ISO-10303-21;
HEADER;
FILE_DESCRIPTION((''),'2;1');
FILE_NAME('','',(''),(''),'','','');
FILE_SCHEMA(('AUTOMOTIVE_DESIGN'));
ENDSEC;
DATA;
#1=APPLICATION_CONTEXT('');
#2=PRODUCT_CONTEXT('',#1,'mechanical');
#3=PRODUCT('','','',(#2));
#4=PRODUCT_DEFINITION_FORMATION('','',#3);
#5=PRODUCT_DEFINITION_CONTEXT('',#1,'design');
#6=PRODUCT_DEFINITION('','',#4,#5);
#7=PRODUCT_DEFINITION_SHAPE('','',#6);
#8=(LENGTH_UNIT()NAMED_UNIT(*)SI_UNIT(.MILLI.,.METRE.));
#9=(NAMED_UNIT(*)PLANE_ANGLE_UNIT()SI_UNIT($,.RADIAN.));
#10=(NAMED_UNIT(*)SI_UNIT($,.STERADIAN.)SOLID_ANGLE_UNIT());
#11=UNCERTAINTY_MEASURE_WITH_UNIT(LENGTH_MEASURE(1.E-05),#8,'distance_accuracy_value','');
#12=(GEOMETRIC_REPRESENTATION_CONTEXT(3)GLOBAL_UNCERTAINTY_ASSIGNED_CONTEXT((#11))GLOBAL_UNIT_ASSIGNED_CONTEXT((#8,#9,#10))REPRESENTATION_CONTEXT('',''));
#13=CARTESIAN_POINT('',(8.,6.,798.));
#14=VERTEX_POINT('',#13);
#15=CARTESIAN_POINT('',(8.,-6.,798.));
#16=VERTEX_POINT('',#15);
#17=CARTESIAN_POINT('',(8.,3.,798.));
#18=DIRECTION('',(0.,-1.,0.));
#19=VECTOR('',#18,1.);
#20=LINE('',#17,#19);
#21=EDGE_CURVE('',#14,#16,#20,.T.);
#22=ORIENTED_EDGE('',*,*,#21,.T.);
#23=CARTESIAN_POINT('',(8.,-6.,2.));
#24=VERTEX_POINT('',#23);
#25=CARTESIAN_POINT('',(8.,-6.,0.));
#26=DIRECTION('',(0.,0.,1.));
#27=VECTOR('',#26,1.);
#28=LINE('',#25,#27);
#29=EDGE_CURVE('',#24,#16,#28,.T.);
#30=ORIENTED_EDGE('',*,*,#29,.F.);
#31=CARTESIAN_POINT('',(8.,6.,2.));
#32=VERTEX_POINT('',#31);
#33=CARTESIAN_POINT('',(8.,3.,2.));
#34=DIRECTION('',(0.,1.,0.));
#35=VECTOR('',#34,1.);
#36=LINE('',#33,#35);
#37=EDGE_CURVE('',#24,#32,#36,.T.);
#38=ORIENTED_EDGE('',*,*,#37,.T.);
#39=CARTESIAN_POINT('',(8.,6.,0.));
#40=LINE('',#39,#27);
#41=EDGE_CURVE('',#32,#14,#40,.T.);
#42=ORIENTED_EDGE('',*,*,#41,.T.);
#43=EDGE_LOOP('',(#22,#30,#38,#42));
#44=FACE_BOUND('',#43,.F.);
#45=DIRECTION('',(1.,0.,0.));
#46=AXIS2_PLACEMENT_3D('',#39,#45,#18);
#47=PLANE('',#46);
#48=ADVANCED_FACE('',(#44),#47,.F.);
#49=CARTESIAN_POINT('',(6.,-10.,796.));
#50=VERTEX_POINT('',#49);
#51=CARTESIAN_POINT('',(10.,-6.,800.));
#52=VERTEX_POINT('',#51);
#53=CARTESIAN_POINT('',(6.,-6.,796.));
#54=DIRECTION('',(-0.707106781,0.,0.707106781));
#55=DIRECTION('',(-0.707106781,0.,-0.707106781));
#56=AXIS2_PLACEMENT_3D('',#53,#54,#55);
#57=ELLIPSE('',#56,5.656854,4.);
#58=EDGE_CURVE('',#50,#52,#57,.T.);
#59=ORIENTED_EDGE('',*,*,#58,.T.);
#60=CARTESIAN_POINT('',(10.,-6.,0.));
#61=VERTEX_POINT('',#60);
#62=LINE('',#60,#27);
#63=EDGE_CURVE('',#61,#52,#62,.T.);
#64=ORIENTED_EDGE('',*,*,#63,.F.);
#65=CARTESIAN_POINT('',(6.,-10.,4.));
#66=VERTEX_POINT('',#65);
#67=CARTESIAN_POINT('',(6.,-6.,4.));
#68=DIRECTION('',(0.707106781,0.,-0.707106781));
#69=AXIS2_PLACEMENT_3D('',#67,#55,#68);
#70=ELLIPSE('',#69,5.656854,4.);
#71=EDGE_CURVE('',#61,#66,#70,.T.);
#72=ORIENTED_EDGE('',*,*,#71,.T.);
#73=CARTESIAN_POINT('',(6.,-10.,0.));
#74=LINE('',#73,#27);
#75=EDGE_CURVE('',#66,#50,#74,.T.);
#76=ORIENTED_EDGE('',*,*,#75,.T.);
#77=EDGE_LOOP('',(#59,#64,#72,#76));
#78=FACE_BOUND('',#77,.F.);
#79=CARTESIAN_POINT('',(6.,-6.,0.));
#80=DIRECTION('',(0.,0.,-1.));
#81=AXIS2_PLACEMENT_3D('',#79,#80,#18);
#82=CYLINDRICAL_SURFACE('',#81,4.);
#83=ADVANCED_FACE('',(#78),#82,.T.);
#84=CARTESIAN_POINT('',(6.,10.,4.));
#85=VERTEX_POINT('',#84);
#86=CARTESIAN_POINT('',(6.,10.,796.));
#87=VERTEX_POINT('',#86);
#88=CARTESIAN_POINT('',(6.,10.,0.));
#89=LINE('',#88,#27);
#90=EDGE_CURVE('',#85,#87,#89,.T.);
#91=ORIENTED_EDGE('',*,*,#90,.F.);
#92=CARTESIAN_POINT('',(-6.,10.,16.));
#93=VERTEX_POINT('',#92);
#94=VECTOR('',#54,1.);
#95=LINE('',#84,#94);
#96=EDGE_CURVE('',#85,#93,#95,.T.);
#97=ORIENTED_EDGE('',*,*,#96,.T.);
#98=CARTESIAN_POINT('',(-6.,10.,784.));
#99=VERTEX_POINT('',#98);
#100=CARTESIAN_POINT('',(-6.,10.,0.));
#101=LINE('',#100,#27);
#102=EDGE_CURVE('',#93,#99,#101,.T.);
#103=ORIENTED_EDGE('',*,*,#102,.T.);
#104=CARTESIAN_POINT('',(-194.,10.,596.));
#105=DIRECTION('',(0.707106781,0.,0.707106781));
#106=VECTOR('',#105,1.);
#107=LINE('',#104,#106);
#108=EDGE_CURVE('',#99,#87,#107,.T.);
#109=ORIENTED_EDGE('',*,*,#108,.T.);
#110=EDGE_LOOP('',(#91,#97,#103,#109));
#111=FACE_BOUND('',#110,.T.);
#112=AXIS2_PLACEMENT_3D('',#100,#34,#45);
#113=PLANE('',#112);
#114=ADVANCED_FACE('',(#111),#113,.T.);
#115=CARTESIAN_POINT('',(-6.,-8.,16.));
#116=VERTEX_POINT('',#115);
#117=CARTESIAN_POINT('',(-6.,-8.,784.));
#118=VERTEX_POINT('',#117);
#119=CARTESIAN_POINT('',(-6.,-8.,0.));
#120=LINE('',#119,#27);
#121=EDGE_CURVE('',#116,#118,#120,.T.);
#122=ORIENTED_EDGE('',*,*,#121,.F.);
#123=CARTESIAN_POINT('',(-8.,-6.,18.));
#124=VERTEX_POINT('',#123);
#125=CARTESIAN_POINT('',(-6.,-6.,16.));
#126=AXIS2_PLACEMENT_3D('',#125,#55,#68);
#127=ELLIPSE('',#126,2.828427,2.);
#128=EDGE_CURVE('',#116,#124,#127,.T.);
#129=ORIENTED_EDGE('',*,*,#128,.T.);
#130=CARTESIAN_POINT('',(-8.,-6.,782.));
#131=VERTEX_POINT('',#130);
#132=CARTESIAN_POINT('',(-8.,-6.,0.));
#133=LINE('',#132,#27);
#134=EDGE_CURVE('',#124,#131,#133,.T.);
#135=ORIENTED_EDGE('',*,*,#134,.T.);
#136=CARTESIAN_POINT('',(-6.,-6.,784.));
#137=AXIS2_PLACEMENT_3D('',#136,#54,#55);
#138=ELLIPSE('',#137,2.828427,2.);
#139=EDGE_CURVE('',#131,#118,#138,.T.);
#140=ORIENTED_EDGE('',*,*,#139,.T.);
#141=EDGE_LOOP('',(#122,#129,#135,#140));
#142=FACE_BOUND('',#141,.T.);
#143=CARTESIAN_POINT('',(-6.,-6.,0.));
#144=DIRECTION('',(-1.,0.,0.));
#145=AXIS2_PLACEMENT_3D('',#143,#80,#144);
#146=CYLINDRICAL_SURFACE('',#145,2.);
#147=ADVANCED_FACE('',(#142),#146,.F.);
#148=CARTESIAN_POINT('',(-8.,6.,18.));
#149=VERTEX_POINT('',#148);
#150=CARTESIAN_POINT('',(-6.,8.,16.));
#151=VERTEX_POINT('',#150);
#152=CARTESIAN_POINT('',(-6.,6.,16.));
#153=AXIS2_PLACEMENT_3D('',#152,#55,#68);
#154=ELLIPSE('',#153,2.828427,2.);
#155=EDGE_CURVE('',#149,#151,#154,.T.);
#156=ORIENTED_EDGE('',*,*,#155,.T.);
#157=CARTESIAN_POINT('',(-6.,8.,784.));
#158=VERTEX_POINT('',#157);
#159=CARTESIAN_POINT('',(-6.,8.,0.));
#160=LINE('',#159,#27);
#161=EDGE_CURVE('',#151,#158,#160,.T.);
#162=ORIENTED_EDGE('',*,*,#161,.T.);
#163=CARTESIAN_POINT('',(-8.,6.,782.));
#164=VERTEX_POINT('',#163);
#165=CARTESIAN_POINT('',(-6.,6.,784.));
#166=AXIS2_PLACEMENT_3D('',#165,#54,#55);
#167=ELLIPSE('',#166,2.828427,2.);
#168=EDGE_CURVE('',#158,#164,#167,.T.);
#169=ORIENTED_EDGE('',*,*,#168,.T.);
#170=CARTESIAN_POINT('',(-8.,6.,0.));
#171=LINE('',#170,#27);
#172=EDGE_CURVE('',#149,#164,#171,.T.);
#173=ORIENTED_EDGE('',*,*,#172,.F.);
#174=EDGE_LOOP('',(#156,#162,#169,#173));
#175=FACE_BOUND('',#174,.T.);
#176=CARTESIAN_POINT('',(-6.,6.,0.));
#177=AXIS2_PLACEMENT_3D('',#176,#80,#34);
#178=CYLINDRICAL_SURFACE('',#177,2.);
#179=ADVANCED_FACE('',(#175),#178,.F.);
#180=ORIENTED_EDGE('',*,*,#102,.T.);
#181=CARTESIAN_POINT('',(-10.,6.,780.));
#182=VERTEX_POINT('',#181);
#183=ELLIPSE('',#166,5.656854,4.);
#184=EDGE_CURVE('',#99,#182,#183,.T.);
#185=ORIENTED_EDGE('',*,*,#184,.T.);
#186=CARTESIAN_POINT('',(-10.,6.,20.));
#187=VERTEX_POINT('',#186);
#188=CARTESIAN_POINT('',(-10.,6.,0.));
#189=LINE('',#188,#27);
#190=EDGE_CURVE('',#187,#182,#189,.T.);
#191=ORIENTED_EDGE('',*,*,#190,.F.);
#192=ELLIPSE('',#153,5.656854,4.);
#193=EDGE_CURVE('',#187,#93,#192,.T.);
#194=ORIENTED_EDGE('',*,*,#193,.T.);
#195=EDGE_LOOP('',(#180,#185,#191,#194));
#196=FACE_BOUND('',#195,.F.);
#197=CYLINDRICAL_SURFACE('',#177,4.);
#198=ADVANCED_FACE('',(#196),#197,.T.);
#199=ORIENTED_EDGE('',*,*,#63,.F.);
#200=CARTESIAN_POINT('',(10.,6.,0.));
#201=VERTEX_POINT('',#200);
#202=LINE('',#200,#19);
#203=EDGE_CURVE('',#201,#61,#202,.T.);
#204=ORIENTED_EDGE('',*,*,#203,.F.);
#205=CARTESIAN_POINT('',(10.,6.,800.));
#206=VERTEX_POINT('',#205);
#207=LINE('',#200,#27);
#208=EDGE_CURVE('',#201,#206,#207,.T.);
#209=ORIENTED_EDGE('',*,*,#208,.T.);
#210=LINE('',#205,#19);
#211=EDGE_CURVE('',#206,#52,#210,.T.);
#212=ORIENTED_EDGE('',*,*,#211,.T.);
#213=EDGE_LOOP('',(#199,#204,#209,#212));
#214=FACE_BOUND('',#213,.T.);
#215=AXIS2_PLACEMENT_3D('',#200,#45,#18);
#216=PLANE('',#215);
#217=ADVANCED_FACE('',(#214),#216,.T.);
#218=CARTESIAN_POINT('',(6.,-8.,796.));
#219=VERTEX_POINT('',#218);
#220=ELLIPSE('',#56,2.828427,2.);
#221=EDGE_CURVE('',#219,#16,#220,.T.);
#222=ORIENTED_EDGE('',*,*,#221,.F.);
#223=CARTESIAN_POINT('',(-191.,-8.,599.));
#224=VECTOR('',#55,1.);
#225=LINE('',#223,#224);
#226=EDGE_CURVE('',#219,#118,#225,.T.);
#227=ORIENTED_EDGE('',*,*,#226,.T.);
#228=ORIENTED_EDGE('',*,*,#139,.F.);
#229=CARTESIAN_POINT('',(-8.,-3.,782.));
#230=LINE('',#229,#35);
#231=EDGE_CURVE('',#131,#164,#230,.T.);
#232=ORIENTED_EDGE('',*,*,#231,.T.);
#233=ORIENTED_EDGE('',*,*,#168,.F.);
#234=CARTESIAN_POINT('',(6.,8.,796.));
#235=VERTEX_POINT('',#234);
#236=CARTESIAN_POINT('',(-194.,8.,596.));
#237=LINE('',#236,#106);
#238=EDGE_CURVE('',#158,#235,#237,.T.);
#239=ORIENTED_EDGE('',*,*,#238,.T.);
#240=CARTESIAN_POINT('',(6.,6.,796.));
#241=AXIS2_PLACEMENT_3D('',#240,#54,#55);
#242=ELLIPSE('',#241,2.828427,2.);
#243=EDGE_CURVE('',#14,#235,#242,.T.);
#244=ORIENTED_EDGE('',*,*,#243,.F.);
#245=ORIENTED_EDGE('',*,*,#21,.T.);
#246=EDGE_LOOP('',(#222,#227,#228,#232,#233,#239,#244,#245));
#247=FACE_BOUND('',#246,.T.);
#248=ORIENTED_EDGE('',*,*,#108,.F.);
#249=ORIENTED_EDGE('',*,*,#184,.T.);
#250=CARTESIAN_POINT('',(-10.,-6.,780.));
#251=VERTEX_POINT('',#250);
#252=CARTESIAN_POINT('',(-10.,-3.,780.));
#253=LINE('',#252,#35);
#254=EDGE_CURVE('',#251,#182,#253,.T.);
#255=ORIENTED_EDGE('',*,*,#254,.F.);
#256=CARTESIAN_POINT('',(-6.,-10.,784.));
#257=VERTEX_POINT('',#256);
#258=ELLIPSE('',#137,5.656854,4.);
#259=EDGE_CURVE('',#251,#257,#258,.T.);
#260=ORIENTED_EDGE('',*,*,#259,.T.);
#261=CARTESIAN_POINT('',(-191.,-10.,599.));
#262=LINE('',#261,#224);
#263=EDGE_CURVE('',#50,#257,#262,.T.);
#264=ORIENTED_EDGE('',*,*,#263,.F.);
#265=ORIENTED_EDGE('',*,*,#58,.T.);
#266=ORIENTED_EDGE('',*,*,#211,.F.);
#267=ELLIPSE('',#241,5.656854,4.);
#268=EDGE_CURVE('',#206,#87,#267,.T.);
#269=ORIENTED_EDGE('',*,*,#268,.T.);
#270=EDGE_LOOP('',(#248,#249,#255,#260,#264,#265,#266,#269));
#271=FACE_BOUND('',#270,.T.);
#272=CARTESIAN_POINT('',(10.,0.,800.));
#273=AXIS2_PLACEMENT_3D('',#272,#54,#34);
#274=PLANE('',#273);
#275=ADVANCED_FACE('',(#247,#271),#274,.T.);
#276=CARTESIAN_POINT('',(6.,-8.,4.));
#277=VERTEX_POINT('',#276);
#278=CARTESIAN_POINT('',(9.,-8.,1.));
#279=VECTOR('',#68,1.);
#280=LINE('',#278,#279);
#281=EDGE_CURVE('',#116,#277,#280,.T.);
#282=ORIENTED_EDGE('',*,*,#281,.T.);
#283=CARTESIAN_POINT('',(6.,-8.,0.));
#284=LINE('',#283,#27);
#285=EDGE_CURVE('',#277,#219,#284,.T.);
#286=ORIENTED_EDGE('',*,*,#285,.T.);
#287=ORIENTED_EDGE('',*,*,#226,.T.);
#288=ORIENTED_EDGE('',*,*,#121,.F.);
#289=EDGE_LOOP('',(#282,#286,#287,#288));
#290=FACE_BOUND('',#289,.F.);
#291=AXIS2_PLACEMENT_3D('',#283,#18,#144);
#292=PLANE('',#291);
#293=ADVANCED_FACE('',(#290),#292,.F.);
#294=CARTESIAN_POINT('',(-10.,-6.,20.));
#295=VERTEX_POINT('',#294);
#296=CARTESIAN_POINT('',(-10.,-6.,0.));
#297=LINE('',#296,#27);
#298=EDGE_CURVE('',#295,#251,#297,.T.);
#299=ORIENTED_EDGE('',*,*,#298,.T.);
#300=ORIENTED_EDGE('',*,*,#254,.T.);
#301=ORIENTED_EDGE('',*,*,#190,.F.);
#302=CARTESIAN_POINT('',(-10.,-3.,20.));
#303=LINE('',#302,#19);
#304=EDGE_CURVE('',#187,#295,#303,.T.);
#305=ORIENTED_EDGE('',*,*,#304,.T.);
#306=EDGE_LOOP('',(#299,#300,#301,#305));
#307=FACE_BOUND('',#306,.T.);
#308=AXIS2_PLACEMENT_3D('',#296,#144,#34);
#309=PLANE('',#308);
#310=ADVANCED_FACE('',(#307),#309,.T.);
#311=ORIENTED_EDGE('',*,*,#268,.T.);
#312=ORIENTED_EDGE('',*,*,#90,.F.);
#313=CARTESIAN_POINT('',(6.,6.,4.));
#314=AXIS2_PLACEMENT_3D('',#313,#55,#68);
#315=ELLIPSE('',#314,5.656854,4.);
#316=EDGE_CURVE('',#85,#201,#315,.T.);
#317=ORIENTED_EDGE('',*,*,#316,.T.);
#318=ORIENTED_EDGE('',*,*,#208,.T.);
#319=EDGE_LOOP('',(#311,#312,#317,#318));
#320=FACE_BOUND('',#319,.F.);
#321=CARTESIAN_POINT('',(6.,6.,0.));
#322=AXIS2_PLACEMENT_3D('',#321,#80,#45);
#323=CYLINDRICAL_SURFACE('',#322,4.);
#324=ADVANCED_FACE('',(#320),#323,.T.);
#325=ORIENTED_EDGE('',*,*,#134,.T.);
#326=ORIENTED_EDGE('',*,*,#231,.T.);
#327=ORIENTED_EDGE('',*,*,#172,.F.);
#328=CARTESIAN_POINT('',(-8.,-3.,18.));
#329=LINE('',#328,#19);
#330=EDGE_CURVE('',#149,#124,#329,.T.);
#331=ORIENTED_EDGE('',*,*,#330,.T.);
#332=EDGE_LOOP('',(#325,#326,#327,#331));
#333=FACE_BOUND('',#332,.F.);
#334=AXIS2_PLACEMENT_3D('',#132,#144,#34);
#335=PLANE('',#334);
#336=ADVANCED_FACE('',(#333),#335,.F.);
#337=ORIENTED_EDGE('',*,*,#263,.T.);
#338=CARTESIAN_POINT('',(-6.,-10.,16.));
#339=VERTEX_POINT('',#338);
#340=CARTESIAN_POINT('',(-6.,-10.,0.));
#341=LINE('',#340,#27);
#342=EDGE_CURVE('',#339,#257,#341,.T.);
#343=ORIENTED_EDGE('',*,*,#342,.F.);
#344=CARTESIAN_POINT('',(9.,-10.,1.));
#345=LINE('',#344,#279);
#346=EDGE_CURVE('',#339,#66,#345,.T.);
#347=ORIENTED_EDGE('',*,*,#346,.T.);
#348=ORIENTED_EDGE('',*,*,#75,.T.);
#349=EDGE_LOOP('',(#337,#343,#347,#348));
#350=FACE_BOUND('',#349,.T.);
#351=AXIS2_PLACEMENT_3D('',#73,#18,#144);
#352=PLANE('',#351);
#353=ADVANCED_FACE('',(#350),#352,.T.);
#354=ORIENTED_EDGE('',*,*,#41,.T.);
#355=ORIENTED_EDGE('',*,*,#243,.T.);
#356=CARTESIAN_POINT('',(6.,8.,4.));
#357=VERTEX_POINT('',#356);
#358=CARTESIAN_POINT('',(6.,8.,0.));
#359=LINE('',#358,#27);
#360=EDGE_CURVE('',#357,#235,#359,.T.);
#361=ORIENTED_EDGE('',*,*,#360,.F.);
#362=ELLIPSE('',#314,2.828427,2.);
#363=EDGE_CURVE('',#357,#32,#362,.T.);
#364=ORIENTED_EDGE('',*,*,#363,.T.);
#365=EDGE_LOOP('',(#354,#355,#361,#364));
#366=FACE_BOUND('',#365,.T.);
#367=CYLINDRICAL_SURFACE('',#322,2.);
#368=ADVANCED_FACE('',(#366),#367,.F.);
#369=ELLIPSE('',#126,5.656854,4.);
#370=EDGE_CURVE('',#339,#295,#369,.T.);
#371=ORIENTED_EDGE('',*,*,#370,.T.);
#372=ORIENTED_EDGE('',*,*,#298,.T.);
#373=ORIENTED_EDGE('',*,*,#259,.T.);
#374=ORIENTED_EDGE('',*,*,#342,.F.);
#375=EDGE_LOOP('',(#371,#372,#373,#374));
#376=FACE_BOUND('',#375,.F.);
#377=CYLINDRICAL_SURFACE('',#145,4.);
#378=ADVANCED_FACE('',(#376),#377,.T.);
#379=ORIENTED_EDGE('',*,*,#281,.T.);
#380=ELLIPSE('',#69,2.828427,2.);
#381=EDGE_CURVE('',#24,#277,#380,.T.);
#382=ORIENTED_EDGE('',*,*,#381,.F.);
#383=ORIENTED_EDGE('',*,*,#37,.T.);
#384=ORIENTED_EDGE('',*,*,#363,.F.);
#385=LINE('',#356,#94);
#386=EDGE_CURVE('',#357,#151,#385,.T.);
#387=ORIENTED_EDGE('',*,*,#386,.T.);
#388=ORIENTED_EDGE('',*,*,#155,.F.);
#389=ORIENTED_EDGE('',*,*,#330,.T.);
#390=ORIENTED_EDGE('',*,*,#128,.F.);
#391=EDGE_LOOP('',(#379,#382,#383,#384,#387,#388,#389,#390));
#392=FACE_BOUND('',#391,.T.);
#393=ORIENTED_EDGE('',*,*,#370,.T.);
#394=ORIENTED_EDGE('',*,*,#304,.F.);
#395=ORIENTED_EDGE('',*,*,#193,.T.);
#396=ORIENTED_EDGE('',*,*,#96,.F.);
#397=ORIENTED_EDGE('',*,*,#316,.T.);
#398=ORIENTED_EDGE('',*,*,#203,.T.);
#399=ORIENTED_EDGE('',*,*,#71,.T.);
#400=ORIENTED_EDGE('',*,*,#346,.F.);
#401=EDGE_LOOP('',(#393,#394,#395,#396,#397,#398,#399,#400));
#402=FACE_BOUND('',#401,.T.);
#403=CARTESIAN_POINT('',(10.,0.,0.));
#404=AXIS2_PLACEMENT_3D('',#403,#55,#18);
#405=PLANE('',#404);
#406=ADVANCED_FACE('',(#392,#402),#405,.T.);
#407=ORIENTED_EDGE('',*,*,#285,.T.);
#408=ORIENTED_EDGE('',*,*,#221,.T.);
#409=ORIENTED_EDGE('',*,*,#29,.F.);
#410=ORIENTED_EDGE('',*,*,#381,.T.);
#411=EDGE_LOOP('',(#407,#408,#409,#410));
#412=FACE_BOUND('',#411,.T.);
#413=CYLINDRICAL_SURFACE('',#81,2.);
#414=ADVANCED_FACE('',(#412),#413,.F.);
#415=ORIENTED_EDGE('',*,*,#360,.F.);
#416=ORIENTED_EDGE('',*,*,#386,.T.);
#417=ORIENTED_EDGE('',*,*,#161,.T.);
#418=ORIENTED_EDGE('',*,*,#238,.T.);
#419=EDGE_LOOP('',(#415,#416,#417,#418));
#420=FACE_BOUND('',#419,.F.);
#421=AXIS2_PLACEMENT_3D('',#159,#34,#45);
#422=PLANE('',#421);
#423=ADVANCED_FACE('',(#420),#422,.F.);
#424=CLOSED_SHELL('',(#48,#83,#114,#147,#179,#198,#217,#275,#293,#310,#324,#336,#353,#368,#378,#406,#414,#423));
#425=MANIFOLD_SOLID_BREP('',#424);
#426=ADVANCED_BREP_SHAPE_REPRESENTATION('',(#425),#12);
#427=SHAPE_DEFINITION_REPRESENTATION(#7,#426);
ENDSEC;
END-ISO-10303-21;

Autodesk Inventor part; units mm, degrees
ref_plane "Start plane" through (0, 0, 0) normal (0, 0, 1) x (1, 0, 0)
ref_plane "End plane" through (0, 0, 800) normal (0, 0, 1) x (1, 0, 0)
sketch "Sketch" plane through (0, 0, 0) normal (0, 0, 1) x (1, 0, 0)
  line L0 (-10, -6) -> (-10, 6)
  line L1 (-6, 10) -> (6, 10)
  line L2 (10, 6) -> (10, -6)
  line L3 (6, -10) -> (-6, -10)
  arc A0 (-10, -6) -> (-6, -10) centre (-6, -6) ccw
  arc A1 (10, 6) -> (6, 10) centre (6, 6) ccw
  arc A2 (-6, 10) -> (-10, 6) centre (-6, 6) ccw
  arc A3 (6, -10) -> (10, -6) centre (6, -6) ccw
  arc A4 (-6, 8) -> (-8, 6) centre (-6, 6) ccw
  line L4 (-6, 8) -> (6, 8)
  arc A5 (8, 6) -> (6, 8) centre (6, 6) ccw
  line L5 (8, 6) -> (8, -6)
  arc A6 (6, -8) -> (8, -6) centre (6, -6) ccw
  line L6 (6, -8) -> (-6, -8)
  arc A7 (-8, -6) -> (-6, -8) centre (-6, -6) ccw
  line L7 (-8, -6) -> (-8, 6)
  line L8 (0, 15.1598) -> (0, -15.1598) construction
  line L9 (-15.1598, 0) -> (15.1598, 0) construction
  dimension "d7" = 4
  dimension "d9" = 20
  dimension "d11" = 20
  dimension "d12" = 2
  dimension "d15" = 10
  dimension "d16" = 10
extrude "Body" add sketch "Sketch" along normal up to surface (800 mm away) from surface at 0
sketch "Sketch3" plane through (0, 0, 0) normal (0, 0, 1) x (1, 0, 0)
  line L0 (0, 0) -> (10, 0)
ref_plane "Work Plane3" through (0, 0, 0) normal (0, -1, 0) x (1, 0, 0)
sketch "Sketch4" plane through (0, 0, 0) normal (0, -1, 0) x (1, 0, 0)
  line L0 (-2, 0) -> (12, 0)
  line L1 (-2, 800) -> (12, 800)
  dimension "d18" = 800
ref_plane "Work Plane4" through (0, -1090, 0) normal (0, 0, -1) x (-1, 0, 0)
split "Split1" plane through (0, -1090, 0) removes the side toward (0, 0, -1)
ref_plane "Work Plane5" through (10, 0, 0) normal (-0.7071, 0, -0.7071) x (-0.7071, 0, 0.7071)
split "Split2" plane through (10, 0, 0) removes the side toward (-0.7071, 0, -0.7071)
ref_plane "Work Plane6" through (10, 0, 800) normal (-0.7071, 0, 0.7071) x (0.7071, 0, 0.7071)
split "Split3" plane through (10, 0, 800) removes the side toward (-0.7071, 0, 0.7071)
ref_plane "Work Plane7" through (0, 10, 800) normal (0, 0, 1) x (1, 0, 0)
split "Split4" plane through (0, 10, 800) removes the side toward (0, 0, 1)
equation "\"d7\" = G_IR"
equation "\"d9\" = G_W"
equation "\"d11\" = G_H"
equation "\"d12\" = G_T"
equation "\"d15\" = 0.5 * d9"
equation "\"d16\" = 0.5 * d11"
equation "\"d3\" = G_L"
equation "\"G_W\" = 20"
equation "\"G_H\" = 20"
equation "\"G_T\" = 2"
equation "\"G_IR\" = 4"
equation "\"G_L\" = d18"
equation "\"G_OFFSET_START\" = 0"
equation "\"G_OFFSET_END\" = 0"
properties part number "ISO 4019 - 20x20x2 - 800" material "Steel, Mild"
